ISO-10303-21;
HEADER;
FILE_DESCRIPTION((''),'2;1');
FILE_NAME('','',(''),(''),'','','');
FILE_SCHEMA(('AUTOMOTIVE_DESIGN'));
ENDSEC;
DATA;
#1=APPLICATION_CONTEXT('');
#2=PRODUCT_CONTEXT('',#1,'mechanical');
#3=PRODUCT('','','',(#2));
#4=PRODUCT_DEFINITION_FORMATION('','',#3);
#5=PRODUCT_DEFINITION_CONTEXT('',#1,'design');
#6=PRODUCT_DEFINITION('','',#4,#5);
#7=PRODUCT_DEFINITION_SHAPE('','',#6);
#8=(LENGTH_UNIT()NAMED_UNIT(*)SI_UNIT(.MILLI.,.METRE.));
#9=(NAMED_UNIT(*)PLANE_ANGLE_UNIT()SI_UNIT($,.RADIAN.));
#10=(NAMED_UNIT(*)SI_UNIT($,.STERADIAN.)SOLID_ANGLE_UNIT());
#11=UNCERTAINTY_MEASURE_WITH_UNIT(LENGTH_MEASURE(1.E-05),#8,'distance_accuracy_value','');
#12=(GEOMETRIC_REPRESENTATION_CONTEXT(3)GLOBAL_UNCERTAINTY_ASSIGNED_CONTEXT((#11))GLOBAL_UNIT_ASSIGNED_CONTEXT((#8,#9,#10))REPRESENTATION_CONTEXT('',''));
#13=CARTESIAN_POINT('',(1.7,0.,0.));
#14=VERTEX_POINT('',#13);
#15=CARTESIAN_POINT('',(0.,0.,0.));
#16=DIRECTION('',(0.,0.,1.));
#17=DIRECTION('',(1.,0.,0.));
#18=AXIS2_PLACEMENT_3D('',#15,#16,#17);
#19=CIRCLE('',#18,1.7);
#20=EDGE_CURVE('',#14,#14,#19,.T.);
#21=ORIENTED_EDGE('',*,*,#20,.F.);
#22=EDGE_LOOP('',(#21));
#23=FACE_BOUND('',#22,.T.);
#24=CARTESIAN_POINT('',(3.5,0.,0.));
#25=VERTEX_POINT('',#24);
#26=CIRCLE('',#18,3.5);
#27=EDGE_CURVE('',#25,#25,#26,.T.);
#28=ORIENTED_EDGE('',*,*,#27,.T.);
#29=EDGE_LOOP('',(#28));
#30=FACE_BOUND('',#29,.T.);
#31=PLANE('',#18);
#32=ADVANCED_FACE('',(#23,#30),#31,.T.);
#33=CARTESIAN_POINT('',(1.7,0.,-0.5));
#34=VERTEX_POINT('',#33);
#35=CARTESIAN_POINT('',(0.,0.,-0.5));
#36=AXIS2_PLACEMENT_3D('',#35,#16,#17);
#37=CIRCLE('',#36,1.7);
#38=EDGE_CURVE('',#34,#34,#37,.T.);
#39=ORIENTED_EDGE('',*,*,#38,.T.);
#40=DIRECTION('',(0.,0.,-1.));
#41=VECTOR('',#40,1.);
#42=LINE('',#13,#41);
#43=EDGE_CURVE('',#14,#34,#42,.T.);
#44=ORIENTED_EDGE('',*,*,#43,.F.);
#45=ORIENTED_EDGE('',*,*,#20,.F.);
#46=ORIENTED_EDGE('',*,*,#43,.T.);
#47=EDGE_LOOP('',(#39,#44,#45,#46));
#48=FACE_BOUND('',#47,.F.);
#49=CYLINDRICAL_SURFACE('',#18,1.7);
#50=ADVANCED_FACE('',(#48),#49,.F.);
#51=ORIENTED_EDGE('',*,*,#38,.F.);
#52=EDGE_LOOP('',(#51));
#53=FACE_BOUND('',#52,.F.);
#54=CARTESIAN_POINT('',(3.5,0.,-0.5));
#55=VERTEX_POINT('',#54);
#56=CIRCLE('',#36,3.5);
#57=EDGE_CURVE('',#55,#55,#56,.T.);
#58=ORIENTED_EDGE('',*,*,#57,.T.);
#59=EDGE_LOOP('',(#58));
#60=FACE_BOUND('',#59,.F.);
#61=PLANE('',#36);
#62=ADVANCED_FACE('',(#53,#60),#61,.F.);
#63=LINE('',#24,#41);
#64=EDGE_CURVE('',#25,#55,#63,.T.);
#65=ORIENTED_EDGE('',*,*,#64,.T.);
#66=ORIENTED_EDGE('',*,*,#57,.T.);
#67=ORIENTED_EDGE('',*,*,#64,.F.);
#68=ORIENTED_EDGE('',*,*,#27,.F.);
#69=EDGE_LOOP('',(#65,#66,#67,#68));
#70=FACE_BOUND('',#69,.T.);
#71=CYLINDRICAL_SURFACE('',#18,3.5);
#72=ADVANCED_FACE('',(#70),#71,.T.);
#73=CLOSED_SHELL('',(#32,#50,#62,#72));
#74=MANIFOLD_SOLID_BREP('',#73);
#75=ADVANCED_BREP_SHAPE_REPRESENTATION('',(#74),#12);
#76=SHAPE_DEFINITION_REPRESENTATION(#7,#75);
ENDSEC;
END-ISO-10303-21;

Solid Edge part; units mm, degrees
sketch "Sketch1" plane through (0, 0, 0) normal (0, 0, 1) x (1, 0, 0)
  circle A0 centre (0, 0) radius 3.5
  circle A1 centre (0, 0) radius 1.7
  dimension "D1" = 7
  dimension "D2" = 3.4
extrude "Protrusion1" add sketch "Sketch1" against normal blind 0.5
